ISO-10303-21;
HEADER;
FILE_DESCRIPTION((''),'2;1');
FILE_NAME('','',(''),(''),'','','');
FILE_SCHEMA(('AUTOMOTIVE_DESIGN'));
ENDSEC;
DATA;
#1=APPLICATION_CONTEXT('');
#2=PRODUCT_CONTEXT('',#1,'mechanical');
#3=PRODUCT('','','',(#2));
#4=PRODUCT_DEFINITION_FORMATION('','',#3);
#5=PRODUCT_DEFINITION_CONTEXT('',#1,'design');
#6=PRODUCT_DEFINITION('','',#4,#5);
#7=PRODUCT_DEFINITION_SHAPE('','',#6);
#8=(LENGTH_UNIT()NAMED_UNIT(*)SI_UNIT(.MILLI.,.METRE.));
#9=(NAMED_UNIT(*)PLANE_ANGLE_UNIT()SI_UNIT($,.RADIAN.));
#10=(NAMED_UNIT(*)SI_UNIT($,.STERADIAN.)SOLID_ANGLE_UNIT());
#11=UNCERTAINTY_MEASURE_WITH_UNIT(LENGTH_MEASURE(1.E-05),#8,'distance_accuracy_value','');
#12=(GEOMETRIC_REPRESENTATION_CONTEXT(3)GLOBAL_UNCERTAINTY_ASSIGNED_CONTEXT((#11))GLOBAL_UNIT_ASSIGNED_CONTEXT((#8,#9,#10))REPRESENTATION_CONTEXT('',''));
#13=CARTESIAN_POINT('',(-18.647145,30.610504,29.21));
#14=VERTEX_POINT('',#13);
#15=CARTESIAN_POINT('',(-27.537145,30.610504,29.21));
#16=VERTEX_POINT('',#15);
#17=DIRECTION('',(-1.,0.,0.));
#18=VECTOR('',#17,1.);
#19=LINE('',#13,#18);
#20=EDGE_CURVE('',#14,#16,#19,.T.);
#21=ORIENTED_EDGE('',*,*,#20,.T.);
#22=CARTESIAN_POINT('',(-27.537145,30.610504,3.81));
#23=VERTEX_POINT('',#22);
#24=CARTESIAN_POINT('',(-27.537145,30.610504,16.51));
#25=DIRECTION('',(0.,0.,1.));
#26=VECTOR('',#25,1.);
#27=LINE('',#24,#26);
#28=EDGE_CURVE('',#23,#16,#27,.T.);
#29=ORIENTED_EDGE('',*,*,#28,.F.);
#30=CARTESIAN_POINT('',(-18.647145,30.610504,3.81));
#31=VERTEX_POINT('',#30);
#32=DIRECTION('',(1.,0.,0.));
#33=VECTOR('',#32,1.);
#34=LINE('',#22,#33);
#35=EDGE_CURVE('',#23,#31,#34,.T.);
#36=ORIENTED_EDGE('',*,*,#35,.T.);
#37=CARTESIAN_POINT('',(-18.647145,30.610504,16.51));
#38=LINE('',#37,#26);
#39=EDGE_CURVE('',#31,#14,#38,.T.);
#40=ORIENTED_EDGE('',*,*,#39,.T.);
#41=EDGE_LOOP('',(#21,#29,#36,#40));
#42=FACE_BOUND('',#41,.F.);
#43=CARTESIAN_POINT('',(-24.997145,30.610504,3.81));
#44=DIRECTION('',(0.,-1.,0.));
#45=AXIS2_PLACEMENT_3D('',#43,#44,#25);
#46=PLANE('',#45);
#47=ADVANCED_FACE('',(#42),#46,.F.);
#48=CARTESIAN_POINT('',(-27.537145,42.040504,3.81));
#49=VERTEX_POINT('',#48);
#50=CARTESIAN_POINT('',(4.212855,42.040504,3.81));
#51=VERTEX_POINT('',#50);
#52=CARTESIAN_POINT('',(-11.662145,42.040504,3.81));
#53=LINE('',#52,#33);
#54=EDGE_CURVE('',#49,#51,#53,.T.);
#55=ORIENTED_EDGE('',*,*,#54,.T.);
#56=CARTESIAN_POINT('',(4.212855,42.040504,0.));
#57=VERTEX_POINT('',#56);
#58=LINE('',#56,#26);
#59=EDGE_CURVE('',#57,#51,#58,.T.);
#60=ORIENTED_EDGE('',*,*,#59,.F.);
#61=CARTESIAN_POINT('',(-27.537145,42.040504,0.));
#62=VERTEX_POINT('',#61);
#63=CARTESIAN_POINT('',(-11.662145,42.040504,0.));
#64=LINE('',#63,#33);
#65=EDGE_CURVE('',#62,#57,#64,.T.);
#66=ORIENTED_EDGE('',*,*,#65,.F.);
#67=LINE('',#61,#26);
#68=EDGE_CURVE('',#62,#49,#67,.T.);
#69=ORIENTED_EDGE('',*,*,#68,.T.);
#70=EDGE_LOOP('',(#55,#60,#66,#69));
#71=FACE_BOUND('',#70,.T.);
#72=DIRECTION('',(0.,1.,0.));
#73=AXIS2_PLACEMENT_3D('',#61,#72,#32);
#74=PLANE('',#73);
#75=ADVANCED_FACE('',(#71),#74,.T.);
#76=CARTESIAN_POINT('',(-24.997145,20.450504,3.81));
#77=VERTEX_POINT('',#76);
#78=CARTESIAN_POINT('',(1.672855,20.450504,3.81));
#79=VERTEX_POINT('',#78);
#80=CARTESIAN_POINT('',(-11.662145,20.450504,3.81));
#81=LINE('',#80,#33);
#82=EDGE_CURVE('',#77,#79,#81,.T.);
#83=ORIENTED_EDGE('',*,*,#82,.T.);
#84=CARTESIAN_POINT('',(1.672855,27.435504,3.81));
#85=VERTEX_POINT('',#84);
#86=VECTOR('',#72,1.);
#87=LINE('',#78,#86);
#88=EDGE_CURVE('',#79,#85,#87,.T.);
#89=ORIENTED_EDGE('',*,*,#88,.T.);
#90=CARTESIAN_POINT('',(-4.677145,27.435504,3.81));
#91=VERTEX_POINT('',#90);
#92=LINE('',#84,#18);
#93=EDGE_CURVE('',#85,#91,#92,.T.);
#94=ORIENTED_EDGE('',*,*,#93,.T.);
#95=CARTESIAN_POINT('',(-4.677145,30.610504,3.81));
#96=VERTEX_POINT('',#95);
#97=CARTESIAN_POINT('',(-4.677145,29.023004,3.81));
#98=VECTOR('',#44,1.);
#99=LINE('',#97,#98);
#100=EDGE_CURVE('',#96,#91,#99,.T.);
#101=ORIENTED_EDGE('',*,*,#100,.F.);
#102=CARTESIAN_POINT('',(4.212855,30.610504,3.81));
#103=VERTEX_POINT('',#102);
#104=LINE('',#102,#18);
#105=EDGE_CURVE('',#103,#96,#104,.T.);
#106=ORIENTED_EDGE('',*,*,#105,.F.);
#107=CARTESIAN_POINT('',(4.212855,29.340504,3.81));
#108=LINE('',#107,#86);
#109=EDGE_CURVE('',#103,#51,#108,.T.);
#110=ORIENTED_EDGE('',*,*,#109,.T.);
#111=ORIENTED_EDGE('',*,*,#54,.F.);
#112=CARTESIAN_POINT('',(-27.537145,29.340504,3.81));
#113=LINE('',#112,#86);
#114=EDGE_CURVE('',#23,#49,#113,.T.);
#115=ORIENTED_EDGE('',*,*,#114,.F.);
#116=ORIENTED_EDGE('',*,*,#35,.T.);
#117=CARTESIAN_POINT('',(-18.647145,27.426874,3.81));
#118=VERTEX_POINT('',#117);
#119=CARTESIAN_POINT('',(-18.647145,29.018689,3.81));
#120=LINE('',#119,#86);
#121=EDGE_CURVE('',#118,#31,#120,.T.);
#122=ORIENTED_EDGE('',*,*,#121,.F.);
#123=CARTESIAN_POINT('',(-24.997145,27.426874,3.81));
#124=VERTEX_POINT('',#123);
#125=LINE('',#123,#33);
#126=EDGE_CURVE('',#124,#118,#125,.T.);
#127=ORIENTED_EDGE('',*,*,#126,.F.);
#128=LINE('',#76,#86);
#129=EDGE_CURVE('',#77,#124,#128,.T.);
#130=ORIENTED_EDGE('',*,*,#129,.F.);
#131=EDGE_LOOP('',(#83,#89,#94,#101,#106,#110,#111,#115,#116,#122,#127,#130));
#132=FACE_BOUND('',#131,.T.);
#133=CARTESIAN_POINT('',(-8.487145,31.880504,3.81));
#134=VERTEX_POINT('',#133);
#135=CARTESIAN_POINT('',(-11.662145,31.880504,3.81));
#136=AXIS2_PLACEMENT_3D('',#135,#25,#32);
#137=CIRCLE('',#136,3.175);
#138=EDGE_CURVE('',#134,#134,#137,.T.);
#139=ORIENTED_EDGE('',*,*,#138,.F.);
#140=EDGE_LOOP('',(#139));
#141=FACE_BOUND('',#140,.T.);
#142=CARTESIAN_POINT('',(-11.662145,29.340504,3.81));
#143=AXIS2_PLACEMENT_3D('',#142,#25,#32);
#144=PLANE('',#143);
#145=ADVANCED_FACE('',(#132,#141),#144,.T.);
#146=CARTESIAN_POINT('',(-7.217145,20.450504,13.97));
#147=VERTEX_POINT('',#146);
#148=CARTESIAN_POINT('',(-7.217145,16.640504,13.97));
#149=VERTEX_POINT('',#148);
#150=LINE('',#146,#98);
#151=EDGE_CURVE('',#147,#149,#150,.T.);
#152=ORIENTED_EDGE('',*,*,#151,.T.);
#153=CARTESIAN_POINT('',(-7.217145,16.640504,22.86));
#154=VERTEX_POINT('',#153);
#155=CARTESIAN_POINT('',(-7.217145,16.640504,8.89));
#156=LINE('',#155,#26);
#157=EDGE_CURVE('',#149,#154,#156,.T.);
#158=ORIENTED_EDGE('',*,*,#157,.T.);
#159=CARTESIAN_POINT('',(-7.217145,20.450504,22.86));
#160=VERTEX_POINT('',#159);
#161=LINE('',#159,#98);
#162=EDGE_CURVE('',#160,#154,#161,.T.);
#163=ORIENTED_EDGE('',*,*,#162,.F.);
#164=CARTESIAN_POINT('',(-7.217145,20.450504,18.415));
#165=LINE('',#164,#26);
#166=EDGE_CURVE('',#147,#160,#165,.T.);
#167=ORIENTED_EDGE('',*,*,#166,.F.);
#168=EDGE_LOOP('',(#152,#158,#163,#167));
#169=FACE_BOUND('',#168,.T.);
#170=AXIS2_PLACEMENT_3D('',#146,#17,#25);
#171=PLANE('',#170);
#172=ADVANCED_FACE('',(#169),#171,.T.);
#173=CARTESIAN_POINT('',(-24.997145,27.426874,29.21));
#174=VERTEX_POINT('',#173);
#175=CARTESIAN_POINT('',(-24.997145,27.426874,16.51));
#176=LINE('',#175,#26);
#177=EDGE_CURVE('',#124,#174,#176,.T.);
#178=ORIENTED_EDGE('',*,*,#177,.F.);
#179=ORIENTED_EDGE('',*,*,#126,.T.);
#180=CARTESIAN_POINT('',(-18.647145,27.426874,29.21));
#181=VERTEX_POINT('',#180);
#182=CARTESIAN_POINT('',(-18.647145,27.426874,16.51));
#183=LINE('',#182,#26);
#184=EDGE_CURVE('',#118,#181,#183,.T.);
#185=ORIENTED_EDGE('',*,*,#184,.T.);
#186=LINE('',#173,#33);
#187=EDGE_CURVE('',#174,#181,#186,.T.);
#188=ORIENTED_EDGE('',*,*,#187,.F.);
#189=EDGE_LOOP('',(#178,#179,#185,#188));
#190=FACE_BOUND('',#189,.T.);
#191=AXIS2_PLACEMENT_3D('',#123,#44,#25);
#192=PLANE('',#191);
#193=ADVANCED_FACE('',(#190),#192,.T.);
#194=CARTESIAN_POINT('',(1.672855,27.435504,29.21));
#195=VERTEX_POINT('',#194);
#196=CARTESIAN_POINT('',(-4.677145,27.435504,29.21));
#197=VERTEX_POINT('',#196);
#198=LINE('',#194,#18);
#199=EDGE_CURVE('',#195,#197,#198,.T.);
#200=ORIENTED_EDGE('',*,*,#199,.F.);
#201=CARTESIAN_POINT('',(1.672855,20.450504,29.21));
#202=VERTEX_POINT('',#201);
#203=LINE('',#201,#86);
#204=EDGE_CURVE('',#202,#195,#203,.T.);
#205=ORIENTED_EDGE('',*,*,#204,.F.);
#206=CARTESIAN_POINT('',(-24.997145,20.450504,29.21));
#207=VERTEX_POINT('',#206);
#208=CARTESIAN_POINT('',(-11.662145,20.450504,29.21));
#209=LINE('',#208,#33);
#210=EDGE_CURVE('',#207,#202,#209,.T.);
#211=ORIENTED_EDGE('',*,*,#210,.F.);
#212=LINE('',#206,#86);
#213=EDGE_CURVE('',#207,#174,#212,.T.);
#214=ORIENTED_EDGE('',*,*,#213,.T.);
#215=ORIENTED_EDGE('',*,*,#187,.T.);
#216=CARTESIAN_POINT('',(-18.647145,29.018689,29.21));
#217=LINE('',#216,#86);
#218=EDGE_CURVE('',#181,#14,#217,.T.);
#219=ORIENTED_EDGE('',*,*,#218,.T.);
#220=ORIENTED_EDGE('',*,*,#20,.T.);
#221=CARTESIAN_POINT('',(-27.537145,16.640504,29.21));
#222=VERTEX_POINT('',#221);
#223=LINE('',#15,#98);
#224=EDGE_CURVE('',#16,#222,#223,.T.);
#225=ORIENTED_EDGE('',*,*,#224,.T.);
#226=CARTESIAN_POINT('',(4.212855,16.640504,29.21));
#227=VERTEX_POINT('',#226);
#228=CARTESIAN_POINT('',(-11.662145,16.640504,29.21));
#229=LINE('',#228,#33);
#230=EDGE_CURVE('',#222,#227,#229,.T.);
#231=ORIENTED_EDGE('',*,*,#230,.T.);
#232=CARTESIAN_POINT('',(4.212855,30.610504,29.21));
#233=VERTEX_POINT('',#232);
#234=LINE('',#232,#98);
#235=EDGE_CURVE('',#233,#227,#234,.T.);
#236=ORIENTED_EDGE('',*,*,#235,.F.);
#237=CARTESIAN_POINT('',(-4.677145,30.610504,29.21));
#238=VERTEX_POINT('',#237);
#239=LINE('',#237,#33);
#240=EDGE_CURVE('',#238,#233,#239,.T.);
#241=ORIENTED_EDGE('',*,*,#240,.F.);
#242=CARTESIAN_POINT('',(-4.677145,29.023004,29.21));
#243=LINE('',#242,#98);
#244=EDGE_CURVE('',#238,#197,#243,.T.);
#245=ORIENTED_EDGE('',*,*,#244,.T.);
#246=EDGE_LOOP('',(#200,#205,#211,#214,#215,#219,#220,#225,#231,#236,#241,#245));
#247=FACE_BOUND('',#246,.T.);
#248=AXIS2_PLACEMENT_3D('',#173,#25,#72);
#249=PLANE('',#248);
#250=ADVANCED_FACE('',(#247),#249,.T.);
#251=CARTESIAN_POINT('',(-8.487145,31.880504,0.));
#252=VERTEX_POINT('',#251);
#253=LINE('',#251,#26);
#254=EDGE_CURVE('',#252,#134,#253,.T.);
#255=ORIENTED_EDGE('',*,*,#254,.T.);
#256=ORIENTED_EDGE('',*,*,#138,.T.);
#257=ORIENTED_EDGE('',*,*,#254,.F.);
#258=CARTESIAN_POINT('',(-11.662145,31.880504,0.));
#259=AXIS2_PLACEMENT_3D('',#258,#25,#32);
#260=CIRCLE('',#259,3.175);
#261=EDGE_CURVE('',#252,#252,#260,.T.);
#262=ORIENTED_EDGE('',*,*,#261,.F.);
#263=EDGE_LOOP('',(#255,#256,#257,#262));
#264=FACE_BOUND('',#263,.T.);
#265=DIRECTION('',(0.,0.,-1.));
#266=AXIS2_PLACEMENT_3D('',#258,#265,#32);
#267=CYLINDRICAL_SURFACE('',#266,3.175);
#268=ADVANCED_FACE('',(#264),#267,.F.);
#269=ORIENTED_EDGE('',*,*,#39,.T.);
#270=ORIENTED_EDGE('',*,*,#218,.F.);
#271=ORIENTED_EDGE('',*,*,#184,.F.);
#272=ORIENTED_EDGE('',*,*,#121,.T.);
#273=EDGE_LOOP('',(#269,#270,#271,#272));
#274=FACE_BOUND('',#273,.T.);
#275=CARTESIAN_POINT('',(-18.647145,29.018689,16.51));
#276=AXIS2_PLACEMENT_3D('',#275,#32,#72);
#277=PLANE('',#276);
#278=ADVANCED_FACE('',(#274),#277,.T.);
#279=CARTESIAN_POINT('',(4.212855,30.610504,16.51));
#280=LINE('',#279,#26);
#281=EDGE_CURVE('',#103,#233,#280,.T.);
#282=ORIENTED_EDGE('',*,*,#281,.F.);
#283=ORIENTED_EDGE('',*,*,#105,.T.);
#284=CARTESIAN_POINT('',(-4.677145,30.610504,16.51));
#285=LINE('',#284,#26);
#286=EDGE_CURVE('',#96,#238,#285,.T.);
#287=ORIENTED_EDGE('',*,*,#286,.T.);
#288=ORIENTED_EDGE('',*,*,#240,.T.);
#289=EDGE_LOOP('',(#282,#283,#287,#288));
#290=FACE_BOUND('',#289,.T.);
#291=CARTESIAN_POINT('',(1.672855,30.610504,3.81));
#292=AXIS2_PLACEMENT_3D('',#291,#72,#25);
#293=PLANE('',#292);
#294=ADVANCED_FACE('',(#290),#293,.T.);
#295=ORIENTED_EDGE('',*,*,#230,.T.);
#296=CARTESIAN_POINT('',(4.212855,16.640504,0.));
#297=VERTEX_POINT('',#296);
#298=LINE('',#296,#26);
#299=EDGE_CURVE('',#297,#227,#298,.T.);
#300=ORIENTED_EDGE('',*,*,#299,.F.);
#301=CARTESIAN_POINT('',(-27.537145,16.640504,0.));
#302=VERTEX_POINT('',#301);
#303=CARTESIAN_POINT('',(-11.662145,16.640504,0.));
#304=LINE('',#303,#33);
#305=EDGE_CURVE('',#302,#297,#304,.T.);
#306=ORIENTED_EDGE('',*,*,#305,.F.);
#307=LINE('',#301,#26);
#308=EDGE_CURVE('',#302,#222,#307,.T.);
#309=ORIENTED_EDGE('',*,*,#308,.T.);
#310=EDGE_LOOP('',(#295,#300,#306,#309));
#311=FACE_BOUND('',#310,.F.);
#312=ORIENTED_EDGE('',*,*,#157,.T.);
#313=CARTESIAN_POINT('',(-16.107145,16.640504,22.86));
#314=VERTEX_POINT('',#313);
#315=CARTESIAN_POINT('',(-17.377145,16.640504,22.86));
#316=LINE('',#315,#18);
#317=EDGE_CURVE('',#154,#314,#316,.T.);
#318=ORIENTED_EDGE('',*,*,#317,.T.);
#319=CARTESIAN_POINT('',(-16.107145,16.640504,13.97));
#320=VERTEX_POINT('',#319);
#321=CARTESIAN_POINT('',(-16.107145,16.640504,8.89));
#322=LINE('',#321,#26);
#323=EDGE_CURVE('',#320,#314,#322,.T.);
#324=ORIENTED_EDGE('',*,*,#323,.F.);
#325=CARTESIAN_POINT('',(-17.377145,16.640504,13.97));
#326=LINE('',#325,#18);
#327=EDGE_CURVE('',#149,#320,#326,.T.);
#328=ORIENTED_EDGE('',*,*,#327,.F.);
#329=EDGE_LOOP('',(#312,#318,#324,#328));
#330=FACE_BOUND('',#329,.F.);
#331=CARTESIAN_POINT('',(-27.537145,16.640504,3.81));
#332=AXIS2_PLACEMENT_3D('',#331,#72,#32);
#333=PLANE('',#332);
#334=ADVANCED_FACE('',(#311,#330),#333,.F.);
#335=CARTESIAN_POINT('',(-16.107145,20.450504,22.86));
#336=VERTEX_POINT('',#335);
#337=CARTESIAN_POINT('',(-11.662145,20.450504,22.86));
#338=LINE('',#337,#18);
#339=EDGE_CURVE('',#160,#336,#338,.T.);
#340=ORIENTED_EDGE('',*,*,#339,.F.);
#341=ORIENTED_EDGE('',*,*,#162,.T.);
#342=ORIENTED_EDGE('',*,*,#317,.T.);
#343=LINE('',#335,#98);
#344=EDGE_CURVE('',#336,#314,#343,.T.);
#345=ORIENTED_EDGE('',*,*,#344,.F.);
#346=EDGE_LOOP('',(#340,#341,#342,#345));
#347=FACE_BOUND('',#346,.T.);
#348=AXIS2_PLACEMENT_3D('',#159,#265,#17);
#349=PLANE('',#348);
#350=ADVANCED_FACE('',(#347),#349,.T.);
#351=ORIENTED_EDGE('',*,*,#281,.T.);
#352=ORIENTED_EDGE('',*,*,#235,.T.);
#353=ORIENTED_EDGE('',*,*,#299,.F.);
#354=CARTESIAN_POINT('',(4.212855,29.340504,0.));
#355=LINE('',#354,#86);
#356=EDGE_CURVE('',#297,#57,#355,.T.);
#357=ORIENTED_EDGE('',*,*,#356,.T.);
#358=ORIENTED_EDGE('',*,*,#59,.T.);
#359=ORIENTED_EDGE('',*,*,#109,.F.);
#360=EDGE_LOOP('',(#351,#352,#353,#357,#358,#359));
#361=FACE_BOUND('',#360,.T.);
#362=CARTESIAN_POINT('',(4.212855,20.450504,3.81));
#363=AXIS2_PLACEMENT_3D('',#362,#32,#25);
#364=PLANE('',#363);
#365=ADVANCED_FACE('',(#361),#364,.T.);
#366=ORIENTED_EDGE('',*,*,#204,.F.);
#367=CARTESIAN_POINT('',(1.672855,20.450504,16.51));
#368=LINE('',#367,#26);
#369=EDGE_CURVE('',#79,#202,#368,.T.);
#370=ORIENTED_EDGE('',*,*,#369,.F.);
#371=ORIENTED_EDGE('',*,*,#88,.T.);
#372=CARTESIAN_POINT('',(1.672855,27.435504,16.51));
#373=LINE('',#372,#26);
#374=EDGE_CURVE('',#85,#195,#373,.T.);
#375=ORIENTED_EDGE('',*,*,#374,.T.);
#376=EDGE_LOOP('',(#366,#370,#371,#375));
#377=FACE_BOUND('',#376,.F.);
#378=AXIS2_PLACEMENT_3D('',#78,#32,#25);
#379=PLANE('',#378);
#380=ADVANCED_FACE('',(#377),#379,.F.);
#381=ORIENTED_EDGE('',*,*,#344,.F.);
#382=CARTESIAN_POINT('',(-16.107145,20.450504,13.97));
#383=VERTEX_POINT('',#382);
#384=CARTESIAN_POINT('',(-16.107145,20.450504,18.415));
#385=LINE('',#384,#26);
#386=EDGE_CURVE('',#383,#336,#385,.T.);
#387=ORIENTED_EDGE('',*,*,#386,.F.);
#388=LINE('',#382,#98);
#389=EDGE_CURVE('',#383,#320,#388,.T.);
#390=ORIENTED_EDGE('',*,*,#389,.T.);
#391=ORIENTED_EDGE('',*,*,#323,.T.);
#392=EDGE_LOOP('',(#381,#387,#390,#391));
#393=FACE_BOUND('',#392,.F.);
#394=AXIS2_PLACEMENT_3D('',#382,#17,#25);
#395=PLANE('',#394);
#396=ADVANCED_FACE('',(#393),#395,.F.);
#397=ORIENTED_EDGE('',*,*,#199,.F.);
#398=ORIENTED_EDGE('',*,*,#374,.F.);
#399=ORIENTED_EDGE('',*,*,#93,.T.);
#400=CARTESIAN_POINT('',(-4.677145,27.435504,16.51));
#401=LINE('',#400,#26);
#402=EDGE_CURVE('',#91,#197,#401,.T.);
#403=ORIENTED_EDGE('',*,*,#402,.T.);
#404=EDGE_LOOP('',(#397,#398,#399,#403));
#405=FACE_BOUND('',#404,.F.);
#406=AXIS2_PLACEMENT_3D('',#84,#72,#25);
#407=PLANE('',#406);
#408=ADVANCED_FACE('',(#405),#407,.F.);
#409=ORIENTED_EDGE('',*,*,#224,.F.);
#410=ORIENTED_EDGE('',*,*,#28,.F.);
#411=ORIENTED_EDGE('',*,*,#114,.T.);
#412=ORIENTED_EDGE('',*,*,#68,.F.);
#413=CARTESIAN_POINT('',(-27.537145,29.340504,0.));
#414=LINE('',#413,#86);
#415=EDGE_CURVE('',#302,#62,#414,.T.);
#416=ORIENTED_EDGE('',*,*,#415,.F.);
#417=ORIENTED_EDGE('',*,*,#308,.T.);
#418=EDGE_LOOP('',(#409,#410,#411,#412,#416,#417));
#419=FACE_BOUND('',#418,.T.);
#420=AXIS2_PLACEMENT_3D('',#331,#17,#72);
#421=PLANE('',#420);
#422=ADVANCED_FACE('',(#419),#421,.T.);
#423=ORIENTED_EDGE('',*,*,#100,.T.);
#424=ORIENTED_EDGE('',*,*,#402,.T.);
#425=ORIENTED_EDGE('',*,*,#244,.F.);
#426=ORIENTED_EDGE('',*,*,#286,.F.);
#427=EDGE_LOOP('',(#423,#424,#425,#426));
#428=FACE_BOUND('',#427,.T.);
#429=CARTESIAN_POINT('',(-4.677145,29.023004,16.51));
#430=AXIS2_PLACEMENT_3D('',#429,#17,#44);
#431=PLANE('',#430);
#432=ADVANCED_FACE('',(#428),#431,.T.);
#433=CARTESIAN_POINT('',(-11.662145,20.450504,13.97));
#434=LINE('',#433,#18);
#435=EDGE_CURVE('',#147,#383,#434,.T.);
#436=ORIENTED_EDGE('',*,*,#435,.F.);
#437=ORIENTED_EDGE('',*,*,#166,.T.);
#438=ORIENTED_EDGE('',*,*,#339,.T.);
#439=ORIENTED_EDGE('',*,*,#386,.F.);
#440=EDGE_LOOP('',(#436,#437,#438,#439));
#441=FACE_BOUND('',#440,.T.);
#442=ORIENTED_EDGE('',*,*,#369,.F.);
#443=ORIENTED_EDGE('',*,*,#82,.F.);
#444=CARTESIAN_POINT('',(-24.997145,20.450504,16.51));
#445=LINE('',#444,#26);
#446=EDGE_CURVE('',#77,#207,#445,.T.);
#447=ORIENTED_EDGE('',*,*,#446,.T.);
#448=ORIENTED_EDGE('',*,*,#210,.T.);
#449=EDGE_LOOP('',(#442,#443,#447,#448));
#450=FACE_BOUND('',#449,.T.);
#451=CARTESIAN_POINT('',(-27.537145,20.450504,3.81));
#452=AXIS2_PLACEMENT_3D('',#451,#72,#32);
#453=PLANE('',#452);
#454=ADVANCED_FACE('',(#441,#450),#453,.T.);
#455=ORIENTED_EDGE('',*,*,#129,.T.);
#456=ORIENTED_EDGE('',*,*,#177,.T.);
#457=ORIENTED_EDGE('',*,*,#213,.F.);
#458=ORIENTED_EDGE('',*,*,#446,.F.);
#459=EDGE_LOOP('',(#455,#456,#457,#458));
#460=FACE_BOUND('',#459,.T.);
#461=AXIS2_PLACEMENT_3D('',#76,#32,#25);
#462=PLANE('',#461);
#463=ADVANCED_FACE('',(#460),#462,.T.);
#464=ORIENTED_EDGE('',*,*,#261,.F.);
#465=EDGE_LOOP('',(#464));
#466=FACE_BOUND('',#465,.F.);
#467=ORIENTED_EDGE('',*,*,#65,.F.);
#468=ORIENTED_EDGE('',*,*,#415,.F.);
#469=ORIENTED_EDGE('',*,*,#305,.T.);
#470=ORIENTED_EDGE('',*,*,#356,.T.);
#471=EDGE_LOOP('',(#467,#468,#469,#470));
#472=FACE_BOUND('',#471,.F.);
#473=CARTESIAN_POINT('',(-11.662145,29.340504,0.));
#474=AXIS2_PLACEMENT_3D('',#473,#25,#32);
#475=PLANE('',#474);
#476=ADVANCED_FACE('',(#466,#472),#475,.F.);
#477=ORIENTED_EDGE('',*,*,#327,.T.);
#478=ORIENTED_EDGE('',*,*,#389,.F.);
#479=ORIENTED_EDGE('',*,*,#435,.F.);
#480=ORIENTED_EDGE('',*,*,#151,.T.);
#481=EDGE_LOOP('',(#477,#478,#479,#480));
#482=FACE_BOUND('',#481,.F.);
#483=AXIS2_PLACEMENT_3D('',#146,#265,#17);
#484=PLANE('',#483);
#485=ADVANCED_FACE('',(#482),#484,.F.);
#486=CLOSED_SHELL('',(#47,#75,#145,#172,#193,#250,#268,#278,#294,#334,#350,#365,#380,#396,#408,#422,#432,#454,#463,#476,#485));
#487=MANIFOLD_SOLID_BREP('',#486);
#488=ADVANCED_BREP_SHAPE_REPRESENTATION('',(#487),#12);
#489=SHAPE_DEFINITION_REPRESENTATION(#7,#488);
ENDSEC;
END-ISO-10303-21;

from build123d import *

# Parameters (mm, degrees)
F0_W      = 31.75
F0_H      = 25.4
F0_R      = 3.175
F1_DEPTH  = 3.81
F2_W      = 31.75
F2_H      = 3.81
F3_DEPTH  = 25.4
F4_W      = 2.54
F4_H      = 25.4
F5_DEPTH  = 10.16
F4_W_2    = 8.89
F4_H_2    = 8.89
F6_DEPTH  = 25.4
F8_W      = 3.175
F8_H      = 25.4
F9_DEPTH  = 6.35
F7_W      = 3.18363
F7_H      = 25.4
F10_DEPTH = 6.35


with BuildPart() as f1:
    # F0 (on Top) → F1 (new body)
    with BuildSketch(Plane.XY):
        with Locations((-11.662145, 29.340504)):
            Rectangle(F0_W, F0_H)
        with Locations((-11.662145, 31.880504)):
            Circle(F0_R, mode=Mode.SUBTRACT)
    extrude(amount=F1_DEPTH)

    # F2 (on face) → F3 (join)
    with BuildSketch(Plane.XY.offset(3.81)):
        with Locations((-11.662145, 18.545504)):
            Rectangle(F2_W, F2_H)
    extrude(amount=F3_DEPTH)

    # F4 (on face) → F5 (join)
    with BuildSketch(Plane(origin=(0, 20.450504, 0), x_dir=(-1, 0, 0), z_dir=(0, 1, 0))):
        with Locations((-2.942855, 16.51)):
            Rectangle(F4_W, F4_H)
        with Locations((26.267145, 16.51)):
            Rectangle(F4_W, F4_H)
    extrude(amount=F5_DEPTH)

    # F4 (on face) → F6 (cut)
    with BuildSketch(Plane(origin=(0, 20.450504, 0), x_dir=(-1, 0, 0), z_dir=(0, 1, 0))):
        with Locations((11.662145, 18.415)):
            Rectangle(F4_W_2, F4_H_2)
    extrude(amount=-F6_DEPTH, mode=Mode.SUBTRACT)

    # F8 (on face) → F9 (join)
    with BuildSketch(Plane(origin=(1.672855, 0, 0), x_dir=(0, -1, 0), z_dir=(-1, 0, 0))):
        with Locations((-29.023004, 16.51)):
            Rectangle(F8_W, F8_H)
    extrude(amount=F9_DEPTH)

    # F7 (on face) → F10 (join)
    with BuildSketch(Plane.YZ.offset(-24.997145)):
        with Locations((29.018689, 16.51)):
            Rectangle(F7_W, F7_H)
    extrude(amount=F10_DEPTH)


solid = f1.part
